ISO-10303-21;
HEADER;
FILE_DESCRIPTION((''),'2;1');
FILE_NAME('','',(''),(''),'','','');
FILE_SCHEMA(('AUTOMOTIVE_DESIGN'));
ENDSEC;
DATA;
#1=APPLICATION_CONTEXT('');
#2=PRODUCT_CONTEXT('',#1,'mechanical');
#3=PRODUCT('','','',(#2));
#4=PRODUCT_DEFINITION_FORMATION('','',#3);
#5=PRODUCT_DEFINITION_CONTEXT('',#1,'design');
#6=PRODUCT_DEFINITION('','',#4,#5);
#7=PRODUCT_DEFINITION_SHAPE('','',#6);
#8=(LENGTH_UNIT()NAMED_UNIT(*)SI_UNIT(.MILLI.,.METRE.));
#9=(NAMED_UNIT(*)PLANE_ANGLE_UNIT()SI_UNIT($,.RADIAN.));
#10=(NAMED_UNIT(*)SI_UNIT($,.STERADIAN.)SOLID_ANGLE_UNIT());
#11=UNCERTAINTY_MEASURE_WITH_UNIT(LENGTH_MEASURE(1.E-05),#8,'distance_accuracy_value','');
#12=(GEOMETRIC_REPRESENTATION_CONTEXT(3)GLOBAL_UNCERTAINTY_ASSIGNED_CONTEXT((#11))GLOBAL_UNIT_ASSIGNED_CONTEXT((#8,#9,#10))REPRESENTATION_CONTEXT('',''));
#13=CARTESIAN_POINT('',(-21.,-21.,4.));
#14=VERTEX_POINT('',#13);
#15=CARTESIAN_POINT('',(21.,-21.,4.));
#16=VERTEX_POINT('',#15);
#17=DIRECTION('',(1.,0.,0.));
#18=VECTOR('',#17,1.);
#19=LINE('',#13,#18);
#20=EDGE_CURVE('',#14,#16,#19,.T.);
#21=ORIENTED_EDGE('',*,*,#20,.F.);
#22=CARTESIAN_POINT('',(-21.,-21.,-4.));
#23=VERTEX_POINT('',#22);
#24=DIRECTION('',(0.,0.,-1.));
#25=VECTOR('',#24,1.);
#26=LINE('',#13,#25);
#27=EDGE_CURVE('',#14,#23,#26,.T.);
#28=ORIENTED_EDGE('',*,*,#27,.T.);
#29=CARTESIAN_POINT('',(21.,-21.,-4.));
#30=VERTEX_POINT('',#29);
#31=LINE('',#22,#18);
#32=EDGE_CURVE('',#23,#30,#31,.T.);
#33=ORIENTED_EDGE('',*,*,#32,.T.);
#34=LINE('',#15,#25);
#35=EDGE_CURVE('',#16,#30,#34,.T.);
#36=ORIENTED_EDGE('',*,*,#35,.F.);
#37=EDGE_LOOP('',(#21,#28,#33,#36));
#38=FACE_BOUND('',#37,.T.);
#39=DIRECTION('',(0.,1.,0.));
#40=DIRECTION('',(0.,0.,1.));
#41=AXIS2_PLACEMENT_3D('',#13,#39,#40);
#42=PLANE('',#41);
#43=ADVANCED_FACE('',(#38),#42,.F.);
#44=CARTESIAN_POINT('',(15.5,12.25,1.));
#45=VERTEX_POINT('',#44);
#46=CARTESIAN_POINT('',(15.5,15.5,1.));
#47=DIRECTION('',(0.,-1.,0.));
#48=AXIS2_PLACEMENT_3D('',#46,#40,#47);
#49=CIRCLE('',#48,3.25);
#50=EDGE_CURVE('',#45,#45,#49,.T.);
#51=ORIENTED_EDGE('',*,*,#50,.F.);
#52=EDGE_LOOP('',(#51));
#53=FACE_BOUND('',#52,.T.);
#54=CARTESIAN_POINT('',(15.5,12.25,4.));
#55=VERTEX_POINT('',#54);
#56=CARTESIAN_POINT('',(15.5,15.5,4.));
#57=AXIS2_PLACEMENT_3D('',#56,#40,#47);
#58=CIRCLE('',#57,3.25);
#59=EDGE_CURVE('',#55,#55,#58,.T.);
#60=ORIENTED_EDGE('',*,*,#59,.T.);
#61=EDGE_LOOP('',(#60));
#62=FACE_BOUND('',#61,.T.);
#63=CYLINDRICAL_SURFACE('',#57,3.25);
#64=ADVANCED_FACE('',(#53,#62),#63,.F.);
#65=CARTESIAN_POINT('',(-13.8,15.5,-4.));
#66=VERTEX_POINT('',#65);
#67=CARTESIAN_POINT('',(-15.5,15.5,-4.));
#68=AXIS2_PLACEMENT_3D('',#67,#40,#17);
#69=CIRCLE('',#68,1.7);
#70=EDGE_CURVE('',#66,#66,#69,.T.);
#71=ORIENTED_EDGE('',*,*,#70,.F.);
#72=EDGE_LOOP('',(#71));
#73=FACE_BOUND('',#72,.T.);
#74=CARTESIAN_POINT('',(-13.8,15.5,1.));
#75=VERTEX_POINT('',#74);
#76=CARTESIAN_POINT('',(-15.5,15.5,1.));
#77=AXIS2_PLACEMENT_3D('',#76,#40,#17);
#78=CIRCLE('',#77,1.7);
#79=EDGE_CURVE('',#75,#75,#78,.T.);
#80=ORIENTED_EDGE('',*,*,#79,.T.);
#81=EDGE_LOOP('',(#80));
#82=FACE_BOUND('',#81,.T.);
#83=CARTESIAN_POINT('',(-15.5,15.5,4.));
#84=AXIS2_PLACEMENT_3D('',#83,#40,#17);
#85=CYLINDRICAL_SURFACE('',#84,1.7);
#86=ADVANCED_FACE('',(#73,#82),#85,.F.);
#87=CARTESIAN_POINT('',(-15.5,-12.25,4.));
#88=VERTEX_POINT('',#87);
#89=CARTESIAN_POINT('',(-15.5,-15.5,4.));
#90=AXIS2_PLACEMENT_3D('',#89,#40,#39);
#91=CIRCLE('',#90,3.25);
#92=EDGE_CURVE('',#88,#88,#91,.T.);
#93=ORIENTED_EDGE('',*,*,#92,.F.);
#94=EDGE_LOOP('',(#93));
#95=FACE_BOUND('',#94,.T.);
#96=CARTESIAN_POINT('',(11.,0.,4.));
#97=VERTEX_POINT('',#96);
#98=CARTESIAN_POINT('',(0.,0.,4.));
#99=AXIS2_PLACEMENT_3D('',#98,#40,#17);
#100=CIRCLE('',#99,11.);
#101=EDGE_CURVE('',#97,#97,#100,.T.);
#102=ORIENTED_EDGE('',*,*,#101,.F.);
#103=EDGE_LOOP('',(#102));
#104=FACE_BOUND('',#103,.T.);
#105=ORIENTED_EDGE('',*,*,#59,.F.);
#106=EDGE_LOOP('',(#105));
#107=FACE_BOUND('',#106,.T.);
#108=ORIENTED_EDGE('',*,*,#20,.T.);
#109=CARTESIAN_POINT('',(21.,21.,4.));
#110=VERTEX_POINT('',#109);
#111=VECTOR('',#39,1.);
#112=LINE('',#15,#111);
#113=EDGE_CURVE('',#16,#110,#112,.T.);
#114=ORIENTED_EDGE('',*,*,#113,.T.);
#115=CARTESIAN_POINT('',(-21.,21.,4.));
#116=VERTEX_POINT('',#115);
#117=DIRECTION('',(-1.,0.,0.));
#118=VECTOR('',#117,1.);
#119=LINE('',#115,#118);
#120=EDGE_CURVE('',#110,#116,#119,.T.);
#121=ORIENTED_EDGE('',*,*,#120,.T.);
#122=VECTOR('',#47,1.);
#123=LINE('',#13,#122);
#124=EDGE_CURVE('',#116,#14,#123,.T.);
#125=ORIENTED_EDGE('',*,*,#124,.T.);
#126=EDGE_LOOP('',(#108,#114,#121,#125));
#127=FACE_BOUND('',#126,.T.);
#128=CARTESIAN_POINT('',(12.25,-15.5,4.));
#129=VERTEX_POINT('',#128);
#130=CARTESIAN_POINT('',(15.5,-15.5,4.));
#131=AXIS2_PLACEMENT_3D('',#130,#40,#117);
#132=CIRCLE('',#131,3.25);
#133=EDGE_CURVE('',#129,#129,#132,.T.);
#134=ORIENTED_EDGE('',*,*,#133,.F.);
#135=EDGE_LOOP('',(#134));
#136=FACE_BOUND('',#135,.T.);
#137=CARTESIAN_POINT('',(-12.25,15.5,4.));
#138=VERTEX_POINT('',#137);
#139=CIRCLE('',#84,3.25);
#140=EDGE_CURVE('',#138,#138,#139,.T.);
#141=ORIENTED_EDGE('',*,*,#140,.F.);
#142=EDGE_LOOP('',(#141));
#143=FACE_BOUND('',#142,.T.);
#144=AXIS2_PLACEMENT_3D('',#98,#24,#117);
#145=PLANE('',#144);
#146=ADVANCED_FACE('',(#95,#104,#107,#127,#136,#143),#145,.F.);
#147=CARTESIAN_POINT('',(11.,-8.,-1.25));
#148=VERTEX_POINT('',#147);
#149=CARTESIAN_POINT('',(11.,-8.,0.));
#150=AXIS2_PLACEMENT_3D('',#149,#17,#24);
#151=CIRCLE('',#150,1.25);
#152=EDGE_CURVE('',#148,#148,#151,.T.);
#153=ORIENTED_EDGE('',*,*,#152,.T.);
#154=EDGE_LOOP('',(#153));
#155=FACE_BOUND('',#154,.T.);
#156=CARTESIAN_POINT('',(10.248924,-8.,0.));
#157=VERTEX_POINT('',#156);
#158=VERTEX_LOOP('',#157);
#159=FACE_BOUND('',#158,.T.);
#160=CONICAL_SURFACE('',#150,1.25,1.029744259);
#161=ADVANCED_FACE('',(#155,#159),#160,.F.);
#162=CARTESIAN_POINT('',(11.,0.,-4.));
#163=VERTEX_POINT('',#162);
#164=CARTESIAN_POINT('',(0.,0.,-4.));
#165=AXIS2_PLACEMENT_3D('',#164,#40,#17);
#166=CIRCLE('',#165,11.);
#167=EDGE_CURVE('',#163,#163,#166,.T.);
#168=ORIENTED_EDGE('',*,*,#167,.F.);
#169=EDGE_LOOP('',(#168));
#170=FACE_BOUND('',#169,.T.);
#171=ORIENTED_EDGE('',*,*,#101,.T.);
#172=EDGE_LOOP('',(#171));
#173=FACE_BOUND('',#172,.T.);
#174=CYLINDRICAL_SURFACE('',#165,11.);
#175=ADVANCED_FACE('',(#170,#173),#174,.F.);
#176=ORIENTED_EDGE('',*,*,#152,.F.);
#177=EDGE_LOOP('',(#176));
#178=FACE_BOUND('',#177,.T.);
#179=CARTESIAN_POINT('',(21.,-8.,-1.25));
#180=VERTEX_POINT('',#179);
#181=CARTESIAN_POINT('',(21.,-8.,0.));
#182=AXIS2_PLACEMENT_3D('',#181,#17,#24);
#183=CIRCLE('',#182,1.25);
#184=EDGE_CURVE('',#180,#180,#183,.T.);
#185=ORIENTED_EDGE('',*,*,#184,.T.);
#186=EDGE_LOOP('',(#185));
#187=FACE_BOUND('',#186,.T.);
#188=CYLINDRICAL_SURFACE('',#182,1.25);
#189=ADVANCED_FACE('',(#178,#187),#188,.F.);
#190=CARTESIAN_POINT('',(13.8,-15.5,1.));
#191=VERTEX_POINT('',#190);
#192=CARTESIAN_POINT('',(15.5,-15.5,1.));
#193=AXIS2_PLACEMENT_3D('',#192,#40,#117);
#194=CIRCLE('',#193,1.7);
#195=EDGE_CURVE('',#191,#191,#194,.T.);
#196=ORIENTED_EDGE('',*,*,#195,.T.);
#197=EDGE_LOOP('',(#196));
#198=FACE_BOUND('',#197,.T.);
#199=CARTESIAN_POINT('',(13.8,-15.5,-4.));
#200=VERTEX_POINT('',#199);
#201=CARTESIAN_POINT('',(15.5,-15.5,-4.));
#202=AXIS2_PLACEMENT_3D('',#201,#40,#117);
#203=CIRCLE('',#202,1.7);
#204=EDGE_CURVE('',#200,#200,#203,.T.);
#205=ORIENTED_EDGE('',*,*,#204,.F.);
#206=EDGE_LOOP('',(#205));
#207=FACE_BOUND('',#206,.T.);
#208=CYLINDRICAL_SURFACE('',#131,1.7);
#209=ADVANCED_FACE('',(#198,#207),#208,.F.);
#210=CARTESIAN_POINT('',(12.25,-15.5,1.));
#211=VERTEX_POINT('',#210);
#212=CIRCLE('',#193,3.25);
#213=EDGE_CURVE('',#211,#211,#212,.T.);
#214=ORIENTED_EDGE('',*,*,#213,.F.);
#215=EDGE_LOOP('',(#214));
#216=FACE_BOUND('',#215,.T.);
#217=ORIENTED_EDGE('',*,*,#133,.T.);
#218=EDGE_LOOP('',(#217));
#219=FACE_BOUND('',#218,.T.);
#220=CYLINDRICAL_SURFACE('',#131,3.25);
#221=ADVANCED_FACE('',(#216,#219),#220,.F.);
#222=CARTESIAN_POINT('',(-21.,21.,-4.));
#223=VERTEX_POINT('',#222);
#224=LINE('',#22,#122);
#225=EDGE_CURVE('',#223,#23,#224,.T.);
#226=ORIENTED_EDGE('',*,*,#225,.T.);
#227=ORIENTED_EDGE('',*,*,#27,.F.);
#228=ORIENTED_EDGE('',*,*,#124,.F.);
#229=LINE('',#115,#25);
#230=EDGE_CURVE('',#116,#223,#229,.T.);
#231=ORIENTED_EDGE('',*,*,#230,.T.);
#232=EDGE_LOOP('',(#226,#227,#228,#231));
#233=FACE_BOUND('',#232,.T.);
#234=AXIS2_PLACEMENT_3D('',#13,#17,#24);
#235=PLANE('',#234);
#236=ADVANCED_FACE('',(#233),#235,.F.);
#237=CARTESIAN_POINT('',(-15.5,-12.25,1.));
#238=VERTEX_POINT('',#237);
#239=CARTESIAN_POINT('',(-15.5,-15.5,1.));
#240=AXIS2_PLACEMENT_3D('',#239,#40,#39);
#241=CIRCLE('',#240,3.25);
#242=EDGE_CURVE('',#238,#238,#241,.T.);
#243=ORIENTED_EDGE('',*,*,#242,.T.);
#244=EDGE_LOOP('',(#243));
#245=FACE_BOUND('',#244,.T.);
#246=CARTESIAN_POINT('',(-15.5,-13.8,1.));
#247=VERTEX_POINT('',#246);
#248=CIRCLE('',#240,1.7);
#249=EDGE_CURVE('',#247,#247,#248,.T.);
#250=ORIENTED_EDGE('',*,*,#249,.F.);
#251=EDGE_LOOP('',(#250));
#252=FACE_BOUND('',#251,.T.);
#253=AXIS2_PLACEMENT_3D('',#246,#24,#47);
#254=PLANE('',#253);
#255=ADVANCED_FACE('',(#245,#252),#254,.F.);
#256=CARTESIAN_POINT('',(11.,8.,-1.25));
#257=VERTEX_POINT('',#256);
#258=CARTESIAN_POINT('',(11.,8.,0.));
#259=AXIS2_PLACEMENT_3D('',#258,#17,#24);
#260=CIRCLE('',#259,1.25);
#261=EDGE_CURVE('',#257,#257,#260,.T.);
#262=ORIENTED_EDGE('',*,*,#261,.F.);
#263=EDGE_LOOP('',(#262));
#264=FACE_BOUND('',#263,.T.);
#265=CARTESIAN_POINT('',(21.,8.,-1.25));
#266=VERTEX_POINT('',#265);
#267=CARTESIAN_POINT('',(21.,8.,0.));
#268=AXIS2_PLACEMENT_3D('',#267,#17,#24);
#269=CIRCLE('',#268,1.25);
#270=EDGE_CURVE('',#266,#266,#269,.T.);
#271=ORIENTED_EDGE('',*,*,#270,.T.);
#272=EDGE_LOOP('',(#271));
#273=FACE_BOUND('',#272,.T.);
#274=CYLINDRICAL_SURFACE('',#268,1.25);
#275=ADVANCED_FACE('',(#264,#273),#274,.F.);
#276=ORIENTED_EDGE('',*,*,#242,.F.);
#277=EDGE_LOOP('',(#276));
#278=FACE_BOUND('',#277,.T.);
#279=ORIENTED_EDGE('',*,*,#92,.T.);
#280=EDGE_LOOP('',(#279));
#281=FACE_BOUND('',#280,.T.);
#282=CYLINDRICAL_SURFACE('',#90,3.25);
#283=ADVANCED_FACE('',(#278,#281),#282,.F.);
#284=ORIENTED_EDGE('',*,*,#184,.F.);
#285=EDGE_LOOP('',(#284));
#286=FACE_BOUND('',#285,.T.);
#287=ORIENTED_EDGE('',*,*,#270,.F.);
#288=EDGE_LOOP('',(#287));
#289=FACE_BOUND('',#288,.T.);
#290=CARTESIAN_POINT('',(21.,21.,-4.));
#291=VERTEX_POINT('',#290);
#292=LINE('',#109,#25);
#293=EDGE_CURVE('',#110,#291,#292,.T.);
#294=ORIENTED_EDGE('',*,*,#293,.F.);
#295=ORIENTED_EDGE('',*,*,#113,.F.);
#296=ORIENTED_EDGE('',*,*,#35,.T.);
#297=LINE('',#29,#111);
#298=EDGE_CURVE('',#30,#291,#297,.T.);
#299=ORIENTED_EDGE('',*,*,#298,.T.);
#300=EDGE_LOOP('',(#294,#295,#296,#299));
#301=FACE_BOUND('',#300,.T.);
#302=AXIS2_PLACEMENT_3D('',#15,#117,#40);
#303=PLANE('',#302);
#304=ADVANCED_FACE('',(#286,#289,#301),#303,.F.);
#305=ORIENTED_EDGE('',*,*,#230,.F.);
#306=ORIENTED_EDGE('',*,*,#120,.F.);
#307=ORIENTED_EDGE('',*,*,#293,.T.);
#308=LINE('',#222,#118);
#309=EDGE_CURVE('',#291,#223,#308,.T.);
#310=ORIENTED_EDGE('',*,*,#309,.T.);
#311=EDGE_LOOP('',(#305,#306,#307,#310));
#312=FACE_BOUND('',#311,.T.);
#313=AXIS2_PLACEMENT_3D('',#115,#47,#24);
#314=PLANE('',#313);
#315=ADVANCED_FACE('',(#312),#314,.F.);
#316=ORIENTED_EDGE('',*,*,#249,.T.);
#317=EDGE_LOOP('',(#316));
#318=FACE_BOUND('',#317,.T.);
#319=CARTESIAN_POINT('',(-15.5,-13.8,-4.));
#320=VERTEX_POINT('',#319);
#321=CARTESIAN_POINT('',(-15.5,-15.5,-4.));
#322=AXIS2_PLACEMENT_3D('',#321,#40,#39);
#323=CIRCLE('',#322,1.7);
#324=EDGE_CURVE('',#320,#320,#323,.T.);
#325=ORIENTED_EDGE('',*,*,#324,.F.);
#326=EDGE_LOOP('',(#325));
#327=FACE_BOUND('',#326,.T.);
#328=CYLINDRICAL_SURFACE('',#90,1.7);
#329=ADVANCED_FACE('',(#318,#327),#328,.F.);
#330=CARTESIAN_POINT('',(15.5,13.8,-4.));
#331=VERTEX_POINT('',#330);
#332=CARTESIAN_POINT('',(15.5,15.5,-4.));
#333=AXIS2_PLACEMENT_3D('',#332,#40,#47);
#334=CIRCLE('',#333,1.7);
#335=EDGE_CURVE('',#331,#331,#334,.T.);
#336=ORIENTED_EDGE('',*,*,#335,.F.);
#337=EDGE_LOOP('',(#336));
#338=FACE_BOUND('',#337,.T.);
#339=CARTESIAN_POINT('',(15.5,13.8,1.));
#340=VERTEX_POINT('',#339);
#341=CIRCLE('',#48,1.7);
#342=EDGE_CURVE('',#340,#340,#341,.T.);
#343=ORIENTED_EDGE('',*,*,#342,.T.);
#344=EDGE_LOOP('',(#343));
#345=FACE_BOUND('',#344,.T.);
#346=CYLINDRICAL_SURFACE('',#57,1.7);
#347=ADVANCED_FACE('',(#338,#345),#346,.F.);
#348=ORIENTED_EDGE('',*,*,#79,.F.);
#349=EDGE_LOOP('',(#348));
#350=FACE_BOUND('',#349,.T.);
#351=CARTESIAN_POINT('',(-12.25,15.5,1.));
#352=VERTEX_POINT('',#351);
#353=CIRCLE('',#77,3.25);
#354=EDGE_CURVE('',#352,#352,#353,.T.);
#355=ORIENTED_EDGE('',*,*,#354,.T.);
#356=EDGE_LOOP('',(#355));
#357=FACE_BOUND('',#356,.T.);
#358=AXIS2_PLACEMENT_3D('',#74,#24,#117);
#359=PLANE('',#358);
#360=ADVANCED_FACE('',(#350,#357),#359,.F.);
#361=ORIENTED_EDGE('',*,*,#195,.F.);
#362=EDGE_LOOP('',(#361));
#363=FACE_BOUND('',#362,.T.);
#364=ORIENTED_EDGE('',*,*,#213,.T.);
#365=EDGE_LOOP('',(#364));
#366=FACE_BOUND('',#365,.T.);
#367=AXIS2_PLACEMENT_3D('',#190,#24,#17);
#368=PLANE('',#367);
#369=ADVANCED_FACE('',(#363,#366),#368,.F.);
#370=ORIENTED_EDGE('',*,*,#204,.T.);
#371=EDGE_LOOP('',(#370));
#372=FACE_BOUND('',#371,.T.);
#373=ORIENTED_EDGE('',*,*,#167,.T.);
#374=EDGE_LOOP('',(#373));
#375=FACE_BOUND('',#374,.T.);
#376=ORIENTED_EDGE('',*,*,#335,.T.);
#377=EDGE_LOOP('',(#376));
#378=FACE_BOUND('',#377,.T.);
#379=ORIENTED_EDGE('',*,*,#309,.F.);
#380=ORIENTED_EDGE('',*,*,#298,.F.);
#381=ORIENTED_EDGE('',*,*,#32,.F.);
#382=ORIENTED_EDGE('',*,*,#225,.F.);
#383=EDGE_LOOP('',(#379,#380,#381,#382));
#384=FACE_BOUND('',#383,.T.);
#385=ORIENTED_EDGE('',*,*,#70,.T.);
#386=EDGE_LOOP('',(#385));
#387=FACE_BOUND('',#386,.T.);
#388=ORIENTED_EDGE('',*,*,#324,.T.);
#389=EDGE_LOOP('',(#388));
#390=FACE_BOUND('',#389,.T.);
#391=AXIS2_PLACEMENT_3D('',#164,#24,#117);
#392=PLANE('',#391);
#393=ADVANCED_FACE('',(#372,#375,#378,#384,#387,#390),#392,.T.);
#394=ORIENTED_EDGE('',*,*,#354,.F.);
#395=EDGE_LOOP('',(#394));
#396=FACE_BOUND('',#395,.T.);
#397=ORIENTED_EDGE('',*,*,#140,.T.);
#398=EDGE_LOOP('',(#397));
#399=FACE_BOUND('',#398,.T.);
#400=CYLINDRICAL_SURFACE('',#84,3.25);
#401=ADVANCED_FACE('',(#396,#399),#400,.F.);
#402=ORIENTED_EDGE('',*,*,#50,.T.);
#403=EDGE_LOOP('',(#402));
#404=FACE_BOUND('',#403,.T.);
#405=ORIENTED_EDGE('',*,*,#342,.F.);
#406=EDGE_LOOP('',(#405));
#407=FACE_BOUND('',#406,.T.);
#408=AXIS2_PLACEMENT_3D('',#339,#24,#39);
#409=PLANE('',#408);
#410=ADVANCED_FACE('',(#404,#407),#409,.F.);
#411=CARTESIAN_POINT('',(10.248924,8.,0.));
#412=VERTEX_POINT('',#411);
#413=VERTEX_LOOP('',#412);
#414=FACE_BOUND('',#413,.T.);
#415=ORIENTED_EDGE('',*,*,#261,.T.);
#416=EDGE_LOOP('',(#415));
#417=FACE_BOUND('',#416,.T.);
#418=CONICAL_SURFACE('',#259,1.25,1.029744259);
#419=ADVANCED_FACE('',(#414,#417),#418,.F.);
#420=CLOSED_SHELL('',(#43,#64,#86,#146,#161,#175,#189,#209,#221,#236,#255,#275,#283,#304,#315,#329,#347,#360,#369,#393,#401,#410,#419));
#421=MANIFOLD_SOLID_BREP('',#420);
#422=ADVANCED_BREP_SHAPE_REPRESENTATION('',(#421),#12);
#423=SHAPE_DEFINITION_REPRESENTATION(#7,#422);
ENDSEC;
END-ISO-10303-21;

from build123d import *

# Parameters (mm, degrees)
SKETCH_1_W                   = 42
SKETCH_1_H                   = 42
EXTRUDE_1_DEPTH              = 4
SKETCH_2_R                   = 11
CUT_EXTRUDE_1_DEPTH          = 31.757112998
HOLE_WIZARD_M3_1_D           = 3.4
HOLE_WIZARD_M3_1_CBORE_D     = 6.5
HOLE_WIZARD_M3_1_CBORE_DEPTH = 3
PATTERN_CIRCULAR_1_COUNT     = 4
M3X0_5_1_D                   = 2.5
M3X0_5_1_DEPTH               = 10
M3X0_5_1_TIP                 = 0.751075774


with BuildPart() as part:
    # 草圖1 → 填料-伸長1 (new, symmetric)
    with BuildSketch(Plane.XY):
        Rectangle(SKETCH_1_W, SKETCH_1_H)
    extrude(amount=EXTRUDE_1_DEPTH, both=True)

    # 草圖2 → 除料-伸長1 (cut, through all)
    with BuildSketch(Plane.XY.offset(4)):
        Circle(SKETCH_2_R)
    extrude(amount=-CUT_EXTRUDE_1_DEPTH, mode=Mode.SUBTRACT)

    # M3 凹頭蓋螺釘的柱孔1 (through all)
    with Locations(Plane.XY.offset(4)):
        with Locations((-15.5, 15.5)):
            hole_wizard_m3_1 = CounterBoreHole(HOLE_WIZARD_M3_1_D / 2, HOLE_WIZARD_M3_1_CBORE_D / 2, HOLE_WIZARD_M3_1_CBORE_DEPTH)

    # 環狀複製排列1: M3 凹頭蓋螺釘的柱孔1 ×4 about axis
    pattern_circular_1_axis = Axis((0, 0, 0), (0, 0, 1))
    for i in range(1, PATTERN_CIRCULAR_1_COUNT):
        add(hole_wizard_m3_1.rotate(pattern_circular_1_axis, i * 360 / PATTERN_CIRCULAR_1_COUNT), mode=Mode.SUBTRACT)

    # M3x0.5 螺紋孔1
    with Locations(Plane(origin=(21, 0, 0), x_dir=(0, 0, -1), z_dir=(1, 0, 0))):
        with Locations((0, 8), (0, -8)):
            Hole(M3X0_5_1_D / 2, depth=M3X0_5_1_DEPTH)
            with Locations((0, 0, -(M3X0_5_1_DEPTH + M3X0_5_1_TIP / 2))):  # 118° drill point
                Cone(0, M3X0_5_1_D / 2, M3X0_5_1_TIP, mode=Mode.SUBTRACT)


solid = part.part
